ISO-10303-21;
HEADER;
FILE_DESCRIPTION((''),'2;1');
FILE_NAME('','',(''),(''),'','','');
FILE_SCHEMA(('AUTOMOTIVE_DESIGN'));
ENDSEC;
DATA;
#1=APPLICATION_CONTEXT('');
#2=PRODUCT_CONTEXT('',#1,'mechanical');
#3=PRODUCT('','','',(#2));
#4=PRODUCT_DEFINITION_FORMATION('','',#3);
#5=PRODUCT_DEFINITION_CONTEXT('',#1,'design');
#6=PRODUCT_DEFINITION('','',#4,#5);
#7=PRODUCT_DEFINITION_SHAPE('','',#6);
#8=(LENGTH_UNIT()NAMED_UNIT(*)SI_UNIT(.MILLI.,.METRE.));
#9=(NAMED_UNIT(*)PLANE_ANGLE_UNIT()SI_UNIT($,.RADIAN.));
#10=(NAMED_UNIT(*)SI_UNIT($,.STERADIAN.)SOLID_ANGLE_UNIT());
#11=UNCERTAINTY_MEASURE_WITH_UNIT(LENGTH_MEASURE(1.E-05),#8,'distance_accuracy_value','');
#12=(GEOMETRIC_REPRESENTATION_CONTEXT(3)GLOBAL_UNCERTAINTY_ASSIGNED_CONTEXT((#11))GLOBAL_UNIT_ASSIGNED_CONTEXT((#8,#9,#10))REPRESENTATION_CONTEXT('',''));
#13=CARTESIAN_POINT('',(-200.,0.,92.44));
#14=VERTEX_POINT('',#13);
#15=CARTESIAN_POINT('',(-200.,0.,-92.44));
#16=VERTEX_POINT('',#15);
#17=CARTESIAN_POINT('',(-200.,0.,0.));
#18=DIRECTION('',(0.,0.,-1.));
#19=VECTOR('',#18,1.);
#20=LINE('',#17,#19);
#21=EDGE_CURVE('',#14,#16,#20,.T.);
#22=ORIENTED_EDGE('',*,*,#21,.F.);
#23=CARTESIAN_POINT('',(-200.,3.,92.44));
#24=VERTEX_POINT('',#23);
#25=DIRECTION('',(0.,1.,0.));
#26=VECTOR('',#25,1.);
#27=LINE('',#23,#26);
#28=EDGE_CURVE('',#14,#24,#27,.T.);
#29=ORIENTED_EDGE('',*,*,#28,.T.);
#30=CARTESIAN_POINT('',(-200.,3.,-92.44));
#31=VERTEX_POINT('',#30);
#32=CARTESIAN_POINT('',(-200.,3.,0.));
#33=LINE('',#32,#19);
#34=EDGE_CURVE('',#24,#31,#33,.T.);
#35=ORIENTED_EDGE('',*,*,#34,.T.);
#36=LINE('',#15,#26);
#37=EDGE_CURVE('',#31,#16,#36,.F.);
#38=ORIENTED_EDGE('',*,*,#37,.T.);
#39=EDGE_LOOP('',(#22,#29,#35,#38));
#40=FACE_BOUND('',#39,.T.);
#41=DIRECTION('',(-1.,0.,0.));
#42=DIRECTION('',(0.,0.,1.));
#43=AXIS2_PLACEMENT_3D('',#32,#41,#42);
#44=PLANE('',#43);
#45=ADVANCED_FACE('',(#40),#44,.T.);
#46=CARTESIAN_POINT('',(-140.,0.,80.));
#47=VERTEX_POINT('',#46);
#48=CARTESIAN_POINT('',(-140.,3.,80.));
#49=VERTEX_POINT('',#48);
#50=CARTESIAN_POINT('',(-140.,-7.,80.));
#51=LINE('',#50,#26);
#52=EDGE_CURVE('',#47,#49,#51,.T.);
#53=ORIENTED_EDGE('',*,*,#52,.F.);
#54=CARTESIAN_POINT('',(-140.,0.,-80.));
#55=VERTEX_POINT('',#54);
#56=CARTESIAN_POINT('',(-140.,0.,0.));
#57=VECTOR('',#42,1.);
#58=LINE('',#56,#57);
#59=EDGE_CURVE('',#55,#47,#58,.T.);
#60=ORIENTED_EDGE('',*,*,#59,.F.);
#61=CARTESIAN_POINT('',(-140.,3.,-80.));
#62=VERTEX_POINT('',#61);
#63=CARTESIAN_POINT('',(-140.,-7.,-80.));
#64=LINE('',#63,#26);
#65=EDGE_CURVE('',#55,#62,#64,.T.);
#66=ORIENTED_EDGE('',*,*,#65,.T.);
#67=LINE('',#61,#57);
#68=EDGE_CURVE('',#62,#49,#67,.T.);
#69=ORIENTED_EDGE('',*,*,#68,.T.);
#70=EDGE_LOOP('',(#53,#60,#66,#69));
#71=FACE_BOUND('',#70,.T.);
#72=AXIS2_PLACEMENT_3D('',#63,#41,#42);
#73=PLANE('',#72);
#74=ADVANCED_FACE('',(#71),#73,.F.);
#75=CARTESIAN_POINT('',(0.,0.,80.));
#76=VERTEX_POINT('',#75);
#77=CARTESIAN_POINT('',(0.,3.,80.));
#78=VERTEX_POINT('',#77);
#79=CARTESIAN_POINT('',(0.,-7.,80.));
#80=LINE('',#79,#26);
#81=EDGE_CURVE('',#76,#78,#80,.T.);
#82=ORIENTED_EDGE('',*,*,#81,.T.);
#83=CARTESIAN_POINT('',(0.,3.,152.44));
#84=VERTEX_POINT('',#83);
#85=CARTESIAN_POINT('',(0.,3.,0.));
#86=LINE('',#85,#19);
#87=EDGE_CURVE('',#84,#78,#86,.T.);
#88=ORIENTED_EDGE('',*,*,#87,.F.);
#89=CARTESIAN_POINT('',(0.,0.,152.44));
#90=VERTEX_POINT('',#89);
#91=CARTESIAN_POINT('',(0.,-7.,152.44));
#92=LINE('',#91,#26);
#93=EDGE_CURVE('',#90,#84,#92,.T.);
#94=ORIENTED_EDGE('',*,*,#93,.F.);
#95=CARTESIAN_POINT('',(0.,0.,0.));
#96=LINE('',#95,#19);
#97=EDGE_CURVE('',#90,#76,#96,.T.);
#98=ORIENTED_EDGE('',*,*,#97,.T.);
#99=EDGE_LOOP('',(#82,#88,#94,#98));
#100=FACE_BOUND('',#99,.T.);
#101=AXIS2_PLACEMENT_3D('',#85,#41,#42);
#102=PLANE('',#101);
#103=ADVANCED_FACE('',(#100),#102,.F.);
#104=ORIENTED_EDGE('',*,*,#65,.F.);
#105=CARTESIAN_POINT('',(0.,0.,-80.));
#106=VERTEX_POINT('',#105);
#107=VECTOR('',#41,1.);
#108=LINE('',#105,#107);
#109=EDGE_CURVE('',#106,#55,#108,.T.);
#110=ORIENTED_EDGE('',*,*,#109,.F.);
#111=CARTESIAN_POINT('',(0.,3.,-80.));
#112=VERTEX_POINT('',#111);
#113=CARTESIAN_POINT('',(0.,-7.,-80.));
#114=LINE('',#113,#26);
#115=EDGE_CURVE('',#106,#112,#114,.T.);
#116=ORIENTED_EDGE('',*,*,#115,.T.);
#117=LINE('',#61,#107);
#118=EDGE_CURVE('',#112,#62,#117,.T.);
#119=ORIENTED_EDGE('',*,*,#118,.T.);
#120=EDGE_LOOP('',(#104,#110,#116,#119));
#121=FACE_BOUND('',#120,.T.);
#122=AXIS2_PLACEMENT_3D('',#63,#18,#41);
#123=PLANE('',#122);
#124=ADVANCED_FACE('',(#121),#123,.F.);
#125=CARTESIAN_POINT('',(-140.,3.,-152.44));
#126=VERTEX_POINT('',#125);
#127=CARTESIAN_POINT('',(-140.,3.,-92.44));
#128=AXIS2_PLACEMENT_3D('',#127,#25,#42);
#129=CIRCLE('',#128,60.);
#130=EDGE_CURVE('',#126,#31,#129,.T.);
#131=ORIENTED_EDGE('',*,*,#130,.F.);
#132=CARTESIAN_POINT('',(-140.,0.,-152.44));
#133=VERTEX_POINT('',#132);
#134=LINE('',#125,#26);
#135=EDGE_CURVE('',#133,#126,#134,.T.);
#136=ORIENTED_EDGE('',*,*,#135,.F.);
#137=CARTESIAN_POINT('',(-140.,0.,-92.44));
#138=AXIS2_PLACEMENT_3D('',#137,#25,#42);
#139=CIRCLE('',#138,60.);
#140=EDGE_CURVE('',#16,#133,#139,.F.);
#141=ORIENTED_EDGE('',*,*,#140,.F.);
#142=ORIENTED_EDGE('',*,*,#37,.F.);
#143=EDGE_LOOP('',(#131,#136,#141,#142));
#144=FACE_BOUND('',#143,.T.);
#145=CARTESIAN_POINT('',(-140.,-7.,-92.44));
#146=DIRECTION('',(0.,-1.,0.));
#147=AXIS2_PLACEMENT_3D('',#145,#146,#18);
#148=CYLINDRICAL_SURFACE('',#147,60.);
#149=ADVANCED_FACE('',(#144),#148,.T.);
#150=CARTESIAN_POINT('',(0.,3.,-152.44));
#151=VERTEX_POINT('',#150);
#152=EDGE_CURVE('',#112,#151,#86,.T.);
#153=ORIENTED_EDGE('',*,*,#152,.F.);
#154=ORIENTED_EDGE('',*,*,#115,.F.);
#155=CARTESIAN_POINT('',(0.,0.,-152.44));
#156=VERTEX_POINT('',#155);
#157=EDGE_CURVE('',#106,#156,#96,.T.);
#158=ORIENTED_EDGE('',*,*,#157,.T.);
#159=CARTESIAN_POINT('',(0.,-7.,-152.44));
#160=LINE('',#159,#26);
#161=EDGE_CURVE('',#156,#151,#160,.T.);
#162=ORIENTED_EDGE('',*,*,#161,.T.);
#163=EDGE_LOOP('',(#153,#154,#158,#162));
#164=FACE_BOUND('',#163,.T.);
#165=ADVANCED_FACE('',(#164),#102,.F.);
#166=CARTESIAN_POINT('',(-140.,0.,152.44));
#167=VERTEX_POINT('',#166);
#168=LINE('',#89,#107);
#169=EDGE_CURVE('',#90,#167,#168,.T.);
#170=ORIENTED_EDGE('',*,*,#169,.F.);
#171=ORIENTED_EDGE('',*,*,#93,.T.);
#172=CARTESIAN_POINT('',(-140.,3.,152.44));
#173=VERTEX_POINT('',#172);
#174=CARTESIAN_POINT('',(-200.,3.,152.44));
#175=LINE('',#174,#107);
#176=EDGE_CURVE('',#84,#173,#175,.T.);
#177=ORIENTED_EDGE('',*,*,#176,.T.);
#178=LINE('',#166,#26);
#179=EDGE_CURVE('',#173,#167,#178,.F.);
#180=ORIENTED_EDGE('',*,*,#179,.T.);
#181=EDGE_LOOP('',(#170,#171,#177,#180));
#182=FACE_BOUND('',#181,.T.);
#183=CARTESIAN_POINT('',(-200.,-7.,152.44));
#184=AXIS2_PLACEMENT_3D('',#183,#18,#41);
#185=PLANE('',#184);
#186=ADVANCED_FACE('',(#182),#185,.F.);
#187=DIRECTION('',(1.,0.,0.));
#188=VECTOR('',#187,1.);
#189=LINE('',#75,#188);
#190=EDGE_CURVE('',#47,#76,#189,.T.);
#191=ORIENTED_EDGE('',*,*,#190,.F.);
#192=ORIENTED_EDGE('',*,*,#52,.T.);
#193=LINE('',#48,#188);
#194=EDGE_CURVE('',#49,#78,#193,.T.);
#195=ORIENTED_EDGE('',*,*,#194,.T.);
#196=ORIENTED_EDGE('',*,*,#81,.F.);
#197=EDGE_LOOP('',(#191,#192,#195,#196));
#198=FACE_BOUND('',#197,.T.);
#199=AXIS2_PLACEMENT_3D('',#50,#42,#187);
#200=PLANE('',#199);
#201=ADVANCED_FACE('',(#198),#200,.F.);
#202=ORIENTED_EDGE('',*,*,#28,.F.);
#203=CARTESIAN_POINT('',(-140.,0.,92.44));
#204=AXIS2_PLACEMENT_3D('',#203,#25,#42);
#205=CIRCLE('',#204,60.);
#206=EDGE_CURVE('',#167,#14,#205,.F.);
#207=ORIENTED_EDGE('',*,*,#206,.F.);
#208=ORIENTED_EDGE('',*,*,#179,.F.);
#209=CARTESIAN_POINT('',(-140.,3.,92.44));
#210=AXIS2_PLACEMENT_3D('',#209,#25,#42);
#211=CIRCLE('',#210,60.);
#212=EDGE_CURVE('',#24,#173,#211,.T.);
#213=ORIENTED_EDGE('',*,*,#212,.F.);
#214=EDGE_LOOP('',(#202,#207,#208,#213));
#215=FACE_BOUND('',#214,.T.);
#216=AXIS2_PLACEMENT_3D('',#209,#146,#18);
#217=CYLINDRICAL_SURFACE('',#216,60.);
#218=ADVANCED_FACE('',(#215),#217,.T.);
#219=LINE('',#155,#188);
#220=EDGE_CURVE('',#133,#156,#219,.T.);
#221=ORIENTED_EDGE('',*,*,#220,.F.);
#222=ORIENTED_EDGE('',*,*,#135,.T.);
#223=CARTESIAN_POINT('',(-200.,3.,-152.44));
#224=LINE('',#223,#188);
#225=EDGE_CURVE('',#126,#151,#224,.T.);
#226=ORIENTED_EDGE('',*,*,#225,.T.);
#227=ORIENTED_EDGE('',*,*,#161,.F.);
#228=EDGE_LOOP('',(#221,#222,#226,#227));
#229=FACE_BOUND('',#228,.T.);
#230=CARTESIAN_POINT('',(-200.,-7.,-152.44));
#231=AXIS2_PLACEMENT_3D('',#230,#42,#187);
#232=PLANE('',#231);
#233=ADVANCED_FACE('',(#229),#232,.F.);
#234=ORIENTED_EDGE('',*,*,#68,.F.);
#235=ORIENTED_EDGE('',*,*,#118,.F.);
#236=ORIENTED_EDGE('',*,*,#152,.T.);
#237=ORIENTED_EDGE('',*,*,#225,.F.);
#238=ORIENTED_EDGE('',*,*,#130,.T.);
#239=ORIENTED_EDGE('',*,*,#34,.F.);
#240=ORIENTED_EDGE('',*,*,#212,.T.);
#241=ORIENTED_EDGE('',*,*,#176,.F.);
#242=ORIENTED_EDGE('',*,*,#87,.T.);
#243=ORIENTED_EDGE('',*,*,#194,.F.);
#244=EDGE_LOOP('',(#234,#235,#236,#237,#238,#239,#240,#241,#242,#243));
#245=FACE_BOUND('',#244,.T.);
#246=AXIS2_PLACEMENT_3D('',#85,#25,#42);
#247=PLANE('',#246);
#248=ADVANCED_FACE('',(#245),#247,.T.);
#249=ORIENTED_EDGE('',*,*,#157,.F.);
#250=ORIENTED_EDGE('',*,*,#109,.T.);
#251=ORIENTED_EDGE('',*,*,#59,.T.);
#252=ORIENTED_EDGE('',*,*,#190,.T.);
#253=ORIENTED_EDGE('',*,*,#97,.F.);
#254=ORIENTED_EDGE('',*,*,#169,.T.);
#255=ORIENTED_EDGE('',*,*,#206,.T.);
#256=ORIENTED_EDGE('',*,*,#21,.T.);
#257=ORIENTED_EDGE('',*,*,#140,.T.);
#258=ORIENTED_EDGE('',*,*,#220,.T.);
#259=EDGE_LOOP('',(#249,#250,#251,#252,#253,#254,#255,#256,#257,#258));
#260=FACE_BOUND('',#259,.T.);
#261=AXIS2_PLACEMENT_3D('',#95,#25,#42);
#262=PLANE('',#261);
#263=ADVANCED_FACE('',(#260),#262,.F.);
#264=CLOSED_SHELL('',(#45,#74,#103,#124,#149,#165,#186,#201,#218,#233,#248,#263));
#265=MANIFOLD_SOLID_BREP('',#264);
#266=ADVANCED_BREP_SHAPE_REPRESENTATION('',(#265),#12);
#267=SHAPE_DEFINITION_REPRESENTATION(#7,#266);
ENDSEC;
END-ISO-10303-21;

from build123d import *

# Parameters (mm, degrees)
SALIENTE_EXTRUIR1_DEPTH = 3
CROQUIS2_W              = 200
CROQUIS2_H              = 2.56
CORTAR_EXTRUIR1_DEPTH   = 10
CROQUIS3_W              = 140
CROQUIS3_H              = 160
CORTAR_EXTRUIR2_DEPTH   = 10
REDONDEO1_R             = 60


with BuildPart() as part:
    # Croquis1 → Saliente-Extruir1 (new body)
    with BuildSketch(Plane(origin=(0, 0, 0), x_dir=(1, 0, 0), z_dir=(0, 1, 0))):
        Polygon((-100, 155), (0, 155), (0, -155), (-100, -155), (-150, -155), (-200, -155), (-200, 155), (-150, 155), align=None)
    extrude(amount=SALIENTE_EXTRUIR1_DEPTH)

    # Croquis2 → Cortar-Extruir1 (cut)
    with BuildSketch(Plane(origin=(0, 3, 0), x_dir=(1, 0, 0), z_dir=(0, 1, 0))):
        with Locations((-100, 153.72)):
            Rectangle(CROQUIS2_W, CROQUIS2_H)
        with Locations((-100, -153.72)):
            Rectangle(CROQUIS2_W, CROQUIS2_H)
    extrude(amount=-CORTAR_EXTRUIR1_DEPTH, mode=Mode.SUBTRACT)

    # Croquis3 → Cortar-Extruir2 (cut)
    with BuildSketch(Plane(origin=(0, 3, 0), x_dir=(1, 0, 0), z_dir=(0, 1, 0))):
        with Locations((-70, 0)):
            Rectangle(CROQUIS3_W, CROQUIS3_H)
    extrude(amount=-CORTAR_EXTRUIR2_DEPTH, mode=Mode.SUBTRACT)

    # Redondeo1
    redondeo1_edges = [part.edges().sort_by_distance(p)[0] for p in [
        (-200, 1.5, -152.44),
        (-200, 1.5, 152.44),
    ]]
    fillet(redondeo1_edges, radius=REDONDEO1_R)


solid = part.part
